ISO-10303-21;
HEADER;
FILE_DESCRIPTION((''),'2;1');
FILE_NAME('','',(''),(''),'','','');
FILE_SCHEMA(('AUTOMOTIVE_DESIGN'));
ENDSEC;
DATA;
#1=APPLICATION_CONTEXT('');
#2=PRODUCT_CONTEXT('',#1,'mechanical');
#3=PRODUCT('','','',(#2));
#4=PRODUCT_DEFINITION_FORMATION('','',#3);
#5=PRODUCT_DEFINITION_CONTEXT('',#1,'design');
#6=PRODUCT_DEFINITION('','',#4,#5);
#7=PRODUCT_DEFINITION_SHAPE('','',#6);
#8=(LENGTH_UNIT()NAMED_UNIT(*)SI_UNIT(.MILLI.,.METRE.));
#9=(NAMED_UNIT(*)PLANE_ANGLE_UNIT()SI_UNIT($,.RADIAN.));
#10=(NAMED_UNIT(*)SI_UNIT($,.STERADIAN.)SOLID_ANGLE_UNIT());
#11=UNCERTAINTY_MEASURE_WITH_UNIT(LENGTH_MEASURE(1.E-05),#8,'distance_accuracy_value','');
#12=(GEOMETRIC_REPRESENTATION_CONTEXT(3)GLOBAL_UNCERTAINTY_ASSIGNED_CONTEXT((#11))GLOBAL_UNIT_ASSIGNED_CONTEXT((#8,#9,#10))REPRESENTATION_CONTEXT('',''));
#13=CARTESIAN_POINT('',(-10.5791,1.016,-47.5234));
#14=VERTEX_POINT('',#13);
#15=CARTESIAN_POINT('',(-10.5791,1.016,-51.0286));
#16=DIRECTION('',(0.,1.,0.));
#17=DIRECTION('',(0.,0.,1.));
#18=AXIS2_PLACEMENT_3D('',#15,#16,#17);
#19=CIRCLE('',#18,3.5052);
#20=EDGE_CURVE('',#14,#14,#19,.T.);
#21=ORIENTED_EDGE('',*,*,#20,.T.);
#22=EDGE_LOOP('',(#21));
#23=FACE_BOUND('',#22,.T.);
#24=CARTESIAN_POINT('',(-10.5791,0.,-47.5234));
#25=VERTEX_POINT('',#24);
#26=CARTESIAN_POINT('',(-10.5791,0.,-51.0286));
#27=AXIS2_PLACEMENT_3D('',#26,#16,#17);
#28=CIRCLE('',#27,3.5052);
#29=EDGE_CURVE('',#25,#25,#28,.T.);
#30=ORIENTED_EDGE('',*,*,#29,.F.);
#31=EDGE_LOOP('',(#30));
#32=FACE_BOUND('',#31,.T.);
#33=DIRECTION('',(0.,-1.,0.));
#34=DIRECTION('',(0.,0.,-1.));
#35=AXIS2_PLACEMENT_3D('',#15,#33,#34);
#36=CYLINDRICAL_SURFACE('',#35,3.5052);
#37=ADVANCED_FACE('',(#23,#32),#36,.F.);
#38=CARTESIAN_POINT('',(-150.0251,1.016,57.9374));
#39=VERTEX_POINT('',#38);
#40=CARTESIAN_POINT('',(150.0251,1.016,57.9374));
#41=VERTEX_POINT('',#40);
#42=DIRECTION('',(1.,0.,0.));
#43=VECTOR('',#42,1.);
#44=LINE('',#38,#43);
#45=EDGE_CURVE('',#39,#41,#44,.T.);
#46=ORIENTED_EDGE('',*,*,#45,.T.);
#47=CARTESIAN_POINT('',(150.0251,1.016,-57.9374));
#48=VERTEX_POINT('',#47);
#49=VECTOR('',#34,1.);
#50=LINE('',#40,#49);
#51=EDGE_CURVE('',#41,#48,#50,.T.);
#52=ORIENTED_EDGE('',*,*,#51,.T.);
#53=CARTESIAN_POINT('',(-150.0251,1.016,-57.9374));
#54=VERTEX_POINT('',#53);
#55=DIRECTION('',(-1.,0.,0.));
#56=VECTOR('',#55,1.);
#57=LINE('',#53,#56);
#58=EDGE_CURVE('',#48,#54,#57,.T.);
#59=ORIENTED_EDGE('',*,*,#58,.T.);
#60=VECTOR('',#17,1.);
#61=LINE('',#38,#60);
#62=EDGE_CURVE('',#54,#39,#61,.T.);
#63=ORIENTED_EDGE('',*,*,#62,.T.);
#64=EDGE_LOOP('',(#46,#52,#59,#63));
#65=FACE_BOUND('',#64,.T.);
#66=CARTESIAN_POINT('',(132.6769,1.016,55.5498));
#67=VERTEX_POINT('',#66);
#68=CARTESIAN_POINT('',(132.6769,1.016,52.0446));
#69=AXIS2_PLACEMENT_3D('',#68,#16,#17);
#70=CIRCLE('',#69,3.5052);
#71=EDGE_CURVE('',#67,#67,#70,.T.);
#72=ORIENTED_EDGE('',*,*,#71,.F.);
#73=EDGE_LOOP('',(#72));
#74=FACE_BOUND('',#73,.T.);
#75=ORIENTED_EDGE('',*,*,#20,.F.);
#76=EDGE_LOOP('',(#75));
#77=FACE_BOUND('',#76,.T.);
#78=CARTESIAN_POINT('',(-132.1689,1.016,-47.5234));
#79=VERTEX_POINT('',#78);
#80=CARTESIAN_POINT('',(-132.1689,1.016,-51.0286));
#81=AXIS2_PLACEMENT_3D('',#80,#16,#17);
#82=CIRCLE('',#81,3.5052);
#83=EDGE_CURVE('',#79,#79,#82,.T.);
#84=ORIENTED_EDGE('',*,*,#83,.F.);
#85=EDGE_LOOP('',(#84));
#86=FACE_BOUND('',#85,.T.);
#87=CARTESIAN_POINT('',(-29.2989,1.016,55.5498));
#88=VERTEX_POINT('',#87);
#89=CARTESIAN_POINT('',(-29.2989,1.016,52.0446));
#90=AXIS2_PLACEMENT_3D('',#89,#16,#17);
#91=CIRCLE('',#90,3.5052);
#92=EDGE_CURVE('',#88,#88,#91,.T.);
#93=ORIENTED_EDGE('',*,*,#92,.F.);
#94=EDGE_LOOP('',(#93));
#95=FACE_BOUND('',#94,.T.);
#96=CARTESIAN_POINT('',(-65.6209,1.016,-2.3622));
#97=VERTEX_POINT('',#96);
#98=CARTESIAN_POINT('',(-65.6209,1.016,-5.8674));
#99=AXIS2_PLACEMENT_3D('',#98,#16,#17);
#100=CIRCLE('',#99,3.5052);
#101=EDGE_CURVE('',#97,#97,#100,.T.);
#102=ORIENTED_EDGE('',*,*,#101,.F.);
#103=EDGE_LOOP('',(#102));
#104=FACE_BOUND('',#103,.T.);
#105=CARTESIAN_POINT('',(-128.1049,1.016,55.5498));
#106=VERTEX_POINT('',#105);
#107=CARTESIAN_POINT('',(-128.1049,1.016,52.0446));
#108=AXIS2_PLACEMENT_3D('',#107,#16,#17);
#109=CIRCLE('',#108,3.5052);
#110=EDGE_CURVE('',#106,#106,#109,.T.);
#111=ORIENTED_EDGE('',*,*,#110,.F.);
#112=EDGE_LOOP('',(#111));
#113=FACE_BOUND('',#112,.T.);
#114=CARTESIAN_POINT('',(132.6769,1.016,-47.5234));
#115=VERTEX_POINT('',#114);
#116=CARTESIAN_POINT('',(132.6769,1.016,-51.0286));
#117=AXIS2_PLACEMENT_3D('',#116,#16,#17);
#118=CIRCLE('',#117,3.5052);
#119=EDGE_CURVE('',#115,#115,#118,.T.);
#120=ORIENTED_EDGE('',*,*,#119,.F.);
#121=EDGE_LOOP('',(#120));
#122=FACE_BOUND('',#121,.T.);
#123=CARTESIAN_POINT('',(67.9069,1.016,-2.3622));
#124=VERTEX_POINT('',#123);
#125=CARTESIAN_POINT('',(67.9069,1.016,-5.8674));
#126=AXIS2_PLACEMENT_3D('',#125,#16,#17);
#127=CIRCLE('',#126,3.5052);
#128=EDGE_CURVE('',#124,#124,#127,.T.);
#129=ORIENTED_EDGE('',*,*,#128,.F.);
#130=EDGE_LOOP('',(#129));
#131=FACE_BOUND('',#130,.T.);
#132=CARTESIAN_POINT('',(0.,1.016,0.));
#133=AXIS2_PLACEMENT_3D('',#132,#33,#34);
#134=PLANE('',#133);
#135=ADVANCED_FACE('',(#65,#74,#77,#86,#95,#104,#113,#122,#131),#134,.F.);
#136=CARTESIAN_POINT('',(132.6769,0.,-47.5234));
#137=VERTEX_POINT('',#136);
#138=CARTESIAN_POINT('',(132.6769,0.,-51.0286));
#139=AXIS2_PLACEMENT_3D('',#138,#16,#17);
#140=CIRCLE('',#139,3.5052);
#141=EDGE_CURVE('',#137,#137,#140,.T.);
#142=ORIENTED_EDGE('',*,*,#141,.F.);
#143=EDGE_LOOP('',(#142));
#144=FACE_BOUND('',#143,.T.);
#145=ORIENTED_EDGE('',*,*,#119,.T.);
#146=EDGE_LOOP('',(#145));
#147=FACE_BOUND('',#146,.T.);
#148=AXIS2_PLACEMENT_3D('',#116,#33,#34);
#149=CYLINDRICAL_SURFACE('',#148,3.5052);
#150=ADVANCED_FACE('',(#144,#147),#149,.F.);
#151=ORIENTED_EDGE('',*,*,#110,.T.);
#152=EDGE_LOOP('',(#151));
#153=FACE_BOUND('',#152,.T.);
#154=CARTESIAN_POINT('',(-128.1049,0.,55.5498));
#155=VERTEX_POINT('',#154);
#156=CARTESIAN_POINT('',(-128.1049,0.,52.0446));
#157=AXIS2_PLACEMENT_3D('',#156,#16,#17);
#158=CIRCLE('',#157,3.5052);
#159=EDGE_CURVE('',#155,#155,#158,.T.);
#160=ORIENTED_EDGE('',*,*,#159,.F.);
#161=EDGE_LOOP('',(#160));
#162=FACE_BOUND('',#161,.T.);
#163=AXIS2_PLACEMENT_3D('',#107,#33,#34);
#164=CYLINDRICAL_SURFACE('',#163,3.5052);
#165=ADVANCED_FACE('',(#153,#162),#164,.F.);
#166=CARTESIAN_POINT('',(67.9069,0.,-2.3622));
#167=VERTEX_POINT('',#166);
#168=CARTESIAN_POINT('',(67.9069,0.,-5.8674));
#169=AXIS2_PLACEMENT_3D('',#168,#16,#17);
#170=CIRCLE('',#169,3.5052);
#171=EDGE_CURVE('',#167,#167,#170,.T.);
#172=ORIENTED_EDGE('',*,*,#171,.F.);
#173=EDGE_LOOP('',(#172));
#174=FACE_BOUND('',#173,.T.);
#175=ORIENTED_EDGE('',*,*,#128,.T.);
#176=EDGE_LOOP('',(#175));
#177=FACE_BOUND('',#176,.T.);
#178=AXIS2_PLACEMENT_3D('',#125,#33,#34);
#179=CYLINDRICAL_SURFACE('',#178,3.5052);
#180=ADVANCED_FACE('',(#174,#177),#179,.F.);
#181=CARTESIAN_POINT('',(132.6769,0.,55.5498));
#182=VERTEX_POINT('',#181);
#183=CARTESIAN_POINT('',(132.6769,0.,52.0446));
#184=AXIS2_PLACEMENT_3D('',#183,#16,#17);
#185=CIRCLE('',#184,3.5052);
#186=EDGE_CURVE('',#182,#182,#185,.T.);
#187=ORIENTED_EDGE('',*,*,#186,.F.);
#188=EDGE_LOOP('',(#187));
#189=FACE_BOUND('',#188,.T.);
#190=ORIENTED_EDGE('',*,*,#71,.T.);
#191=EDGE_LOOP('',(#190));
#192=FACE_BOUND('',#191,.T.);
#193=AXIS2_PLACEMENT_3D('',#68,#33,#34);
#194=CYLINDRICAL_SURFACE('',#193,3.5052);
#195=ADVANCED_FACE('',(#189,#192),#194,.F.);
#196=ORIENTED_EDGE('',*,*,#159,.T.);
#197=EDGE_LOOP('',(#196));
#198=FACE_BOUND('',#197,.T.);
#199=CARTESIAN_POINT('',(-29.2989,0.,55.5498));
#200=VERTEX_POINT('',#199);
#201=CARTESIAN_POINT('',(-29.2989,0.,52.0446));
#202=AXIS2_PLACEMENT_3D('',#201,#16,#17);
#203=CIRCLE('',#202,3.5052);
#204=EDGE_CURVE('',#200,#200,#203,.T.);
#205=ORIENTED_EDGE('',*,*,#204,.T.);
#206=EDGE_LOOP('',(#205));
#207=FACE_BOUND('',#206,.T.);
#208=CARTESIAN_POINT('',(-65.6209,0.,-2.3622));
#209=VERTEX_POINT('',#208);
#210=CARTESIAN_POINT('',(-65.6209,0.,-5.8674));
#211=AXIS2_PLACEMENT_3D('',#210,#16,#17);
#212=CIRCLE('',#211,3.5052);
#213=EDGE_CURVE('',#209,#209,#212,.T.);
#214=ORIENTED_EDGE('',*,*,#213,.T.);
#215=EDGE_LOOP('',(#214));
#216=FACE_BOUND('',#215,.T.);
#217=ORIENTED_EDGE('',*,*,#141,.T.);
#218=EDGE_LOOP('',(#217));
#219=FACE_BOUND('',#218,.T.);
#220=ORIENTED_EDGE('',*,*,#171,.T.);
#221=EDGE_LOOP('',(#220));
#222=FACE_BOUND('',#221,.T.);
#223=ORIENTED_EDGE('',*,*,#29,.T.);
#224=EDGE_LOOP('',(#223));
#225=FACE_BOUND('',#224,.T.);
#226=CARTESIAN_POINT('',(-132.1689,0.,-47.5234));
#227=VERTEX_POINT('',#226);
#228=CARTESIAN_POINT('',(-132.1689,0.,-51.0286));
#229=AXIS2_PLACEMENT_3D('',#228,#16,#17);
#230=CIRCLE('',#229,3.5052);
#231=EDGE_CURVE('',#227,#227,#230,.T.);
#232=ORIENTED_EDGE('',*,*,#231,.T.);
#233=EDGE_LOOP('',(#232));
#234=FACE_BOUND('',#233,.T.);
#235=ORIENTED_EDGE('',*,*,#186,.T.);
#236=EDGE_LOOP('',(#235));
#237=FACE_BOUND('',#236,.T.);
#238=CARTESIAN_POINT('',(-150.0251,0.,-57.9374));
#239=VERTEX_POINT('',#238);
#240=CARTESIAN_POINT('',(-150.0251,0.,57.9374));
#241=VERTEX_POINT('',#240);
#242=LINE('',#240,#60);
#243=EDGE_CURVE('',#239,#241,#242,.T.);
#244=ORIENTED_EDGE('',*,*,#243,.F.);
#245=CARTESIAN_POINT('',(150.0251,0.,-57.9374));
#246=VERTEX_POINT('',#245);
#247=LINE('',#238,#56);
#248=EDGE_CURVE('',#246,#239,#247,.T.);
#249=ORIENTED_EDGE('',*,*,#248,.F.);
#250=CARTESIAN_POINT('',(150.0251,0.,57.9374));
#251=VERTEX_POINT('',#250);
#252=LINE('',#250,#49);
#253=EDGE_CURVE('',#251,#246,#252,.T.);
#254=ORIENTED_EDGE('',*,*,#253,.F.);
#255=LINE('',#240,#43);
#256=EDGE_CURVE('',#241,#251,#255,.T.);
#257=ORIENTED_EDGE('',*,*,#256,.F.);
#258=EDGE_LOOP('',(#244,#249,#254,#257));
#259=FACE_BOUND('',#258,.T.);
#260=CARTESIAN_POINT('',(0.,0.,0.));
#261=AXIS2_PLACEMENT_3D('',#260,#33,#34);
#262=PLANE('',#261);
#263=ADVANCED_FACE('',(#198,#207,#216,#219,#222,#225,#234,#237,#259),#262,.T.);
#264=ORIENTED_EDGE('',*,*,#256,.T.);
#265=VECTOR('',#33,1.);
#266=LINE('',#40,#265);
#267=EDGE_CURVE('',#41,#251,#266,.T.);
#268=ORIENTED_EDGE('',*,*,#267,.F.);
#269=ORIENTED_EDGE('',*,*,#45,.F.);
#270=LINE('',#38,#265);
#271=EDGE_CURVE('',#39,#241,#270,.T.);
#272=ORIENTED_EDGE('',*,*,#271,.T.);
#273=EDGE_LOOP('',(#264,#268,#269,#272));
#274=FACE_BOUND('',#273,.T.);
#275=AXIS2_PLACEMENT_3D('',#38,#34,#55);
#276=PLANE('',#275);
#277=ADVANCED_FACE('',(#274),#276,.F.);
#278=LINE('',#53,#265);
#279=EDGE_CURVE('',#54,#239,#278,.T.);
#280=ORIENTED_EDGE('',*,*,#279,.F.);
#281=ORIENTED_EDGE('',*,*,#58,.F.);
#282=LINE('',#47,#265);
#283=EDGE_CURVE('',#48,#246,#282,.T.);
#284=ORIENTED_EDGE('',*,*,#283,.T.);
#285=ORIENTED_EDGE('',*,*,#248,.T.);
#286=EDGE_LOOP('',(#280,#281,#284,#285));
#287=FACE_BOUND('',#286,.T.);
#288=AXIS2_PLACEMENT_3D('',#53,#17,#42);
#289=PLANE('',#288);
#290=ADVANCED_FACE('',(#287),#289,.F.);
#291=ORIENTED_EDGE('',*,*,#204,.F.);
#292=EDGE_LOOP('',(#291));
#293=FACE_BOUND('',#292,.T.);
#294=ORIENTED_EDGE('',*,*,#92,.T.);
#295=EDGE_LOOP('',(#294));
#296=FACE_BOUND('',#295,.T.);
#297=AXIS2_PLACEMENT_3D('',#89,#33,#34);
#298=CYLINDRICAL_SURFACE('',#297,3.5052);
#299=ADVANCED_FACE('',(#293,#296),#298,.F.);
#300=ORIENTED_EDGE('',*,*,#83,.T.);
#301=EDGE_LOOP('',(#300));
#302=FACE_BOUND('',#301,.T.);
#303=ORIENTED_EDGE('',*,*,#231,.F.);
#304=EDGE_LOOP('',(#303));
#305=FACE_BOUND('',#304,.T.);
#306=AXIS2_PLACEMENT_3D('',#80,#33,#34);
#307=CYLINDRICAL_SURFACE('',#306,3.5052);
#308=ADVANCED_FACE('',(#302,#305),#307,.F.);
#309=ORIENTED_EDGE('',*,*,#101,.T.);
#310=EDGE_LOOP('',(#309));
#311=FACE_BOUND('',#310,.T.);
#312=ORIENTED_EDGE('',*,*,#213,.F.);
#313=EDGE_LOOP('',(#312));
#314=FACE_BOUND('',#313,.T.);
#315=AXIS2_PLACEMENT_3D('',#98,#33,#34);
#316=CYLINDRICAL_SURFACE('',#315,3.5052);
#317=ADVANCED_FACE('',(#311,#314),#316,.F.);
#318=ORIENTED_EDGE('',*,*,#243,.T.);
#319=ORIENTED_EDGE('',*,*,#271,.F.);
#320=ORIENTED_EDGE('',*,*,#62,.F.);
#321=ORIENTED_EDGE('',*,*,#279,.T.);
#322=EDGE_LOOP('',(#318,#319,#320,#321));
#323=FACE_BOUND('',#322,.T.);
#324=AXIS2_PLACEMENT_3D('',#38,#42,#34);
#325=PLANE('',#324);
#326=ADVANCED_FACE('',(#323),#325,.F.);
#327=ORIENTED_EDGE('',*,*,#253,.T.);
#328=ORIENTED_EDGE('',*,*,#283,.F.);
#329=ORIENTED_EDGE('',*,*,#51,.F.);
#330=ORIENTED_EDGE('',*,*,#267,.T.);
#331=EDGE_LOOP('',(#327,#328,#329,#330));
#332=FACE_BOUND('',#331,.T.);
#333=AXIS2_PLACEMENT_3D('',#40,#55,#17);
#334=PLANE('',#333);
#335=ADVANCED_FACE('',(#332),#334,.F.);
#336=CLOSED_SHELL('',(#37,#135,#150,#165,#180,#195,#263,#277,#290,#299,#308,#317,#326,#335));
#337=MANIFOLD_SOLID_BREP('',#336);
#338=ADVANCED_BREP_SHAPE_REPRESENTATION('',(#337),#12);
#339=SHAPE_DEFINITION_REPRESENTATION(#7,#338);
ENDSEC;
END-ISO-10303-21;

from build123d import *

# Parameters (mm, degrees)
CROQUIS1_W              = 300.0502
CROQUIS1_H              = 115.8748
CROQUIS1_R              = 3.5052
SALIENTE_EXTRUIR1_DEPTH = 1.016


with BuildPart() as part:
    # Croquis1 → Saliente-Extruir1 (new body)
    with BuildSketch(Plane(origin=(0, 0, 0), x_dir=(1, 0, 0), z_dir=(0, 1, 0))):
        Rectangle(CROQUIS1_W, CROQUIS1_H)
        with Locations((-128.1049, -52.0446)):
            Circle(CROQUIS1_R, mode=Mode.SUBTRACT)
        with Locations((-132.1689, 51.0286)):
            Circle(CROQUIS1_R, mode=Mode.SUBTRACT)
        with Locations((-10.5791, 51.0286)):
            Circle(CROQUIS1_R, mode=Mode.SUBTRACT)
        with Locations((132.6769, 51.0286)):
            Circle(CROQUIS1_R, mode=Mode.SUBTRACT)
        with Locations((132.6769, -52.0446)):
            Circle(CROQUIS1_R, mode=Mode.SUBTRACT)
        with Locations((-29.2989, -52.0446)):
            Circle(CROQUIS1_R, mode=Mode.SUBTRACT)
        with Locations((67.9069, 5.8674)):
            Circle(CROQUIS1_R, mode=Mode.SUBTRACT)
        with Locations((-65.6209, 5.8674)):
            Circle(CROQUIS1_R, mode=Mode.SUBTRACT)
    extrude(amount=SALIENTE_EXTRUIR1_DEPTH)


solid = part.part
